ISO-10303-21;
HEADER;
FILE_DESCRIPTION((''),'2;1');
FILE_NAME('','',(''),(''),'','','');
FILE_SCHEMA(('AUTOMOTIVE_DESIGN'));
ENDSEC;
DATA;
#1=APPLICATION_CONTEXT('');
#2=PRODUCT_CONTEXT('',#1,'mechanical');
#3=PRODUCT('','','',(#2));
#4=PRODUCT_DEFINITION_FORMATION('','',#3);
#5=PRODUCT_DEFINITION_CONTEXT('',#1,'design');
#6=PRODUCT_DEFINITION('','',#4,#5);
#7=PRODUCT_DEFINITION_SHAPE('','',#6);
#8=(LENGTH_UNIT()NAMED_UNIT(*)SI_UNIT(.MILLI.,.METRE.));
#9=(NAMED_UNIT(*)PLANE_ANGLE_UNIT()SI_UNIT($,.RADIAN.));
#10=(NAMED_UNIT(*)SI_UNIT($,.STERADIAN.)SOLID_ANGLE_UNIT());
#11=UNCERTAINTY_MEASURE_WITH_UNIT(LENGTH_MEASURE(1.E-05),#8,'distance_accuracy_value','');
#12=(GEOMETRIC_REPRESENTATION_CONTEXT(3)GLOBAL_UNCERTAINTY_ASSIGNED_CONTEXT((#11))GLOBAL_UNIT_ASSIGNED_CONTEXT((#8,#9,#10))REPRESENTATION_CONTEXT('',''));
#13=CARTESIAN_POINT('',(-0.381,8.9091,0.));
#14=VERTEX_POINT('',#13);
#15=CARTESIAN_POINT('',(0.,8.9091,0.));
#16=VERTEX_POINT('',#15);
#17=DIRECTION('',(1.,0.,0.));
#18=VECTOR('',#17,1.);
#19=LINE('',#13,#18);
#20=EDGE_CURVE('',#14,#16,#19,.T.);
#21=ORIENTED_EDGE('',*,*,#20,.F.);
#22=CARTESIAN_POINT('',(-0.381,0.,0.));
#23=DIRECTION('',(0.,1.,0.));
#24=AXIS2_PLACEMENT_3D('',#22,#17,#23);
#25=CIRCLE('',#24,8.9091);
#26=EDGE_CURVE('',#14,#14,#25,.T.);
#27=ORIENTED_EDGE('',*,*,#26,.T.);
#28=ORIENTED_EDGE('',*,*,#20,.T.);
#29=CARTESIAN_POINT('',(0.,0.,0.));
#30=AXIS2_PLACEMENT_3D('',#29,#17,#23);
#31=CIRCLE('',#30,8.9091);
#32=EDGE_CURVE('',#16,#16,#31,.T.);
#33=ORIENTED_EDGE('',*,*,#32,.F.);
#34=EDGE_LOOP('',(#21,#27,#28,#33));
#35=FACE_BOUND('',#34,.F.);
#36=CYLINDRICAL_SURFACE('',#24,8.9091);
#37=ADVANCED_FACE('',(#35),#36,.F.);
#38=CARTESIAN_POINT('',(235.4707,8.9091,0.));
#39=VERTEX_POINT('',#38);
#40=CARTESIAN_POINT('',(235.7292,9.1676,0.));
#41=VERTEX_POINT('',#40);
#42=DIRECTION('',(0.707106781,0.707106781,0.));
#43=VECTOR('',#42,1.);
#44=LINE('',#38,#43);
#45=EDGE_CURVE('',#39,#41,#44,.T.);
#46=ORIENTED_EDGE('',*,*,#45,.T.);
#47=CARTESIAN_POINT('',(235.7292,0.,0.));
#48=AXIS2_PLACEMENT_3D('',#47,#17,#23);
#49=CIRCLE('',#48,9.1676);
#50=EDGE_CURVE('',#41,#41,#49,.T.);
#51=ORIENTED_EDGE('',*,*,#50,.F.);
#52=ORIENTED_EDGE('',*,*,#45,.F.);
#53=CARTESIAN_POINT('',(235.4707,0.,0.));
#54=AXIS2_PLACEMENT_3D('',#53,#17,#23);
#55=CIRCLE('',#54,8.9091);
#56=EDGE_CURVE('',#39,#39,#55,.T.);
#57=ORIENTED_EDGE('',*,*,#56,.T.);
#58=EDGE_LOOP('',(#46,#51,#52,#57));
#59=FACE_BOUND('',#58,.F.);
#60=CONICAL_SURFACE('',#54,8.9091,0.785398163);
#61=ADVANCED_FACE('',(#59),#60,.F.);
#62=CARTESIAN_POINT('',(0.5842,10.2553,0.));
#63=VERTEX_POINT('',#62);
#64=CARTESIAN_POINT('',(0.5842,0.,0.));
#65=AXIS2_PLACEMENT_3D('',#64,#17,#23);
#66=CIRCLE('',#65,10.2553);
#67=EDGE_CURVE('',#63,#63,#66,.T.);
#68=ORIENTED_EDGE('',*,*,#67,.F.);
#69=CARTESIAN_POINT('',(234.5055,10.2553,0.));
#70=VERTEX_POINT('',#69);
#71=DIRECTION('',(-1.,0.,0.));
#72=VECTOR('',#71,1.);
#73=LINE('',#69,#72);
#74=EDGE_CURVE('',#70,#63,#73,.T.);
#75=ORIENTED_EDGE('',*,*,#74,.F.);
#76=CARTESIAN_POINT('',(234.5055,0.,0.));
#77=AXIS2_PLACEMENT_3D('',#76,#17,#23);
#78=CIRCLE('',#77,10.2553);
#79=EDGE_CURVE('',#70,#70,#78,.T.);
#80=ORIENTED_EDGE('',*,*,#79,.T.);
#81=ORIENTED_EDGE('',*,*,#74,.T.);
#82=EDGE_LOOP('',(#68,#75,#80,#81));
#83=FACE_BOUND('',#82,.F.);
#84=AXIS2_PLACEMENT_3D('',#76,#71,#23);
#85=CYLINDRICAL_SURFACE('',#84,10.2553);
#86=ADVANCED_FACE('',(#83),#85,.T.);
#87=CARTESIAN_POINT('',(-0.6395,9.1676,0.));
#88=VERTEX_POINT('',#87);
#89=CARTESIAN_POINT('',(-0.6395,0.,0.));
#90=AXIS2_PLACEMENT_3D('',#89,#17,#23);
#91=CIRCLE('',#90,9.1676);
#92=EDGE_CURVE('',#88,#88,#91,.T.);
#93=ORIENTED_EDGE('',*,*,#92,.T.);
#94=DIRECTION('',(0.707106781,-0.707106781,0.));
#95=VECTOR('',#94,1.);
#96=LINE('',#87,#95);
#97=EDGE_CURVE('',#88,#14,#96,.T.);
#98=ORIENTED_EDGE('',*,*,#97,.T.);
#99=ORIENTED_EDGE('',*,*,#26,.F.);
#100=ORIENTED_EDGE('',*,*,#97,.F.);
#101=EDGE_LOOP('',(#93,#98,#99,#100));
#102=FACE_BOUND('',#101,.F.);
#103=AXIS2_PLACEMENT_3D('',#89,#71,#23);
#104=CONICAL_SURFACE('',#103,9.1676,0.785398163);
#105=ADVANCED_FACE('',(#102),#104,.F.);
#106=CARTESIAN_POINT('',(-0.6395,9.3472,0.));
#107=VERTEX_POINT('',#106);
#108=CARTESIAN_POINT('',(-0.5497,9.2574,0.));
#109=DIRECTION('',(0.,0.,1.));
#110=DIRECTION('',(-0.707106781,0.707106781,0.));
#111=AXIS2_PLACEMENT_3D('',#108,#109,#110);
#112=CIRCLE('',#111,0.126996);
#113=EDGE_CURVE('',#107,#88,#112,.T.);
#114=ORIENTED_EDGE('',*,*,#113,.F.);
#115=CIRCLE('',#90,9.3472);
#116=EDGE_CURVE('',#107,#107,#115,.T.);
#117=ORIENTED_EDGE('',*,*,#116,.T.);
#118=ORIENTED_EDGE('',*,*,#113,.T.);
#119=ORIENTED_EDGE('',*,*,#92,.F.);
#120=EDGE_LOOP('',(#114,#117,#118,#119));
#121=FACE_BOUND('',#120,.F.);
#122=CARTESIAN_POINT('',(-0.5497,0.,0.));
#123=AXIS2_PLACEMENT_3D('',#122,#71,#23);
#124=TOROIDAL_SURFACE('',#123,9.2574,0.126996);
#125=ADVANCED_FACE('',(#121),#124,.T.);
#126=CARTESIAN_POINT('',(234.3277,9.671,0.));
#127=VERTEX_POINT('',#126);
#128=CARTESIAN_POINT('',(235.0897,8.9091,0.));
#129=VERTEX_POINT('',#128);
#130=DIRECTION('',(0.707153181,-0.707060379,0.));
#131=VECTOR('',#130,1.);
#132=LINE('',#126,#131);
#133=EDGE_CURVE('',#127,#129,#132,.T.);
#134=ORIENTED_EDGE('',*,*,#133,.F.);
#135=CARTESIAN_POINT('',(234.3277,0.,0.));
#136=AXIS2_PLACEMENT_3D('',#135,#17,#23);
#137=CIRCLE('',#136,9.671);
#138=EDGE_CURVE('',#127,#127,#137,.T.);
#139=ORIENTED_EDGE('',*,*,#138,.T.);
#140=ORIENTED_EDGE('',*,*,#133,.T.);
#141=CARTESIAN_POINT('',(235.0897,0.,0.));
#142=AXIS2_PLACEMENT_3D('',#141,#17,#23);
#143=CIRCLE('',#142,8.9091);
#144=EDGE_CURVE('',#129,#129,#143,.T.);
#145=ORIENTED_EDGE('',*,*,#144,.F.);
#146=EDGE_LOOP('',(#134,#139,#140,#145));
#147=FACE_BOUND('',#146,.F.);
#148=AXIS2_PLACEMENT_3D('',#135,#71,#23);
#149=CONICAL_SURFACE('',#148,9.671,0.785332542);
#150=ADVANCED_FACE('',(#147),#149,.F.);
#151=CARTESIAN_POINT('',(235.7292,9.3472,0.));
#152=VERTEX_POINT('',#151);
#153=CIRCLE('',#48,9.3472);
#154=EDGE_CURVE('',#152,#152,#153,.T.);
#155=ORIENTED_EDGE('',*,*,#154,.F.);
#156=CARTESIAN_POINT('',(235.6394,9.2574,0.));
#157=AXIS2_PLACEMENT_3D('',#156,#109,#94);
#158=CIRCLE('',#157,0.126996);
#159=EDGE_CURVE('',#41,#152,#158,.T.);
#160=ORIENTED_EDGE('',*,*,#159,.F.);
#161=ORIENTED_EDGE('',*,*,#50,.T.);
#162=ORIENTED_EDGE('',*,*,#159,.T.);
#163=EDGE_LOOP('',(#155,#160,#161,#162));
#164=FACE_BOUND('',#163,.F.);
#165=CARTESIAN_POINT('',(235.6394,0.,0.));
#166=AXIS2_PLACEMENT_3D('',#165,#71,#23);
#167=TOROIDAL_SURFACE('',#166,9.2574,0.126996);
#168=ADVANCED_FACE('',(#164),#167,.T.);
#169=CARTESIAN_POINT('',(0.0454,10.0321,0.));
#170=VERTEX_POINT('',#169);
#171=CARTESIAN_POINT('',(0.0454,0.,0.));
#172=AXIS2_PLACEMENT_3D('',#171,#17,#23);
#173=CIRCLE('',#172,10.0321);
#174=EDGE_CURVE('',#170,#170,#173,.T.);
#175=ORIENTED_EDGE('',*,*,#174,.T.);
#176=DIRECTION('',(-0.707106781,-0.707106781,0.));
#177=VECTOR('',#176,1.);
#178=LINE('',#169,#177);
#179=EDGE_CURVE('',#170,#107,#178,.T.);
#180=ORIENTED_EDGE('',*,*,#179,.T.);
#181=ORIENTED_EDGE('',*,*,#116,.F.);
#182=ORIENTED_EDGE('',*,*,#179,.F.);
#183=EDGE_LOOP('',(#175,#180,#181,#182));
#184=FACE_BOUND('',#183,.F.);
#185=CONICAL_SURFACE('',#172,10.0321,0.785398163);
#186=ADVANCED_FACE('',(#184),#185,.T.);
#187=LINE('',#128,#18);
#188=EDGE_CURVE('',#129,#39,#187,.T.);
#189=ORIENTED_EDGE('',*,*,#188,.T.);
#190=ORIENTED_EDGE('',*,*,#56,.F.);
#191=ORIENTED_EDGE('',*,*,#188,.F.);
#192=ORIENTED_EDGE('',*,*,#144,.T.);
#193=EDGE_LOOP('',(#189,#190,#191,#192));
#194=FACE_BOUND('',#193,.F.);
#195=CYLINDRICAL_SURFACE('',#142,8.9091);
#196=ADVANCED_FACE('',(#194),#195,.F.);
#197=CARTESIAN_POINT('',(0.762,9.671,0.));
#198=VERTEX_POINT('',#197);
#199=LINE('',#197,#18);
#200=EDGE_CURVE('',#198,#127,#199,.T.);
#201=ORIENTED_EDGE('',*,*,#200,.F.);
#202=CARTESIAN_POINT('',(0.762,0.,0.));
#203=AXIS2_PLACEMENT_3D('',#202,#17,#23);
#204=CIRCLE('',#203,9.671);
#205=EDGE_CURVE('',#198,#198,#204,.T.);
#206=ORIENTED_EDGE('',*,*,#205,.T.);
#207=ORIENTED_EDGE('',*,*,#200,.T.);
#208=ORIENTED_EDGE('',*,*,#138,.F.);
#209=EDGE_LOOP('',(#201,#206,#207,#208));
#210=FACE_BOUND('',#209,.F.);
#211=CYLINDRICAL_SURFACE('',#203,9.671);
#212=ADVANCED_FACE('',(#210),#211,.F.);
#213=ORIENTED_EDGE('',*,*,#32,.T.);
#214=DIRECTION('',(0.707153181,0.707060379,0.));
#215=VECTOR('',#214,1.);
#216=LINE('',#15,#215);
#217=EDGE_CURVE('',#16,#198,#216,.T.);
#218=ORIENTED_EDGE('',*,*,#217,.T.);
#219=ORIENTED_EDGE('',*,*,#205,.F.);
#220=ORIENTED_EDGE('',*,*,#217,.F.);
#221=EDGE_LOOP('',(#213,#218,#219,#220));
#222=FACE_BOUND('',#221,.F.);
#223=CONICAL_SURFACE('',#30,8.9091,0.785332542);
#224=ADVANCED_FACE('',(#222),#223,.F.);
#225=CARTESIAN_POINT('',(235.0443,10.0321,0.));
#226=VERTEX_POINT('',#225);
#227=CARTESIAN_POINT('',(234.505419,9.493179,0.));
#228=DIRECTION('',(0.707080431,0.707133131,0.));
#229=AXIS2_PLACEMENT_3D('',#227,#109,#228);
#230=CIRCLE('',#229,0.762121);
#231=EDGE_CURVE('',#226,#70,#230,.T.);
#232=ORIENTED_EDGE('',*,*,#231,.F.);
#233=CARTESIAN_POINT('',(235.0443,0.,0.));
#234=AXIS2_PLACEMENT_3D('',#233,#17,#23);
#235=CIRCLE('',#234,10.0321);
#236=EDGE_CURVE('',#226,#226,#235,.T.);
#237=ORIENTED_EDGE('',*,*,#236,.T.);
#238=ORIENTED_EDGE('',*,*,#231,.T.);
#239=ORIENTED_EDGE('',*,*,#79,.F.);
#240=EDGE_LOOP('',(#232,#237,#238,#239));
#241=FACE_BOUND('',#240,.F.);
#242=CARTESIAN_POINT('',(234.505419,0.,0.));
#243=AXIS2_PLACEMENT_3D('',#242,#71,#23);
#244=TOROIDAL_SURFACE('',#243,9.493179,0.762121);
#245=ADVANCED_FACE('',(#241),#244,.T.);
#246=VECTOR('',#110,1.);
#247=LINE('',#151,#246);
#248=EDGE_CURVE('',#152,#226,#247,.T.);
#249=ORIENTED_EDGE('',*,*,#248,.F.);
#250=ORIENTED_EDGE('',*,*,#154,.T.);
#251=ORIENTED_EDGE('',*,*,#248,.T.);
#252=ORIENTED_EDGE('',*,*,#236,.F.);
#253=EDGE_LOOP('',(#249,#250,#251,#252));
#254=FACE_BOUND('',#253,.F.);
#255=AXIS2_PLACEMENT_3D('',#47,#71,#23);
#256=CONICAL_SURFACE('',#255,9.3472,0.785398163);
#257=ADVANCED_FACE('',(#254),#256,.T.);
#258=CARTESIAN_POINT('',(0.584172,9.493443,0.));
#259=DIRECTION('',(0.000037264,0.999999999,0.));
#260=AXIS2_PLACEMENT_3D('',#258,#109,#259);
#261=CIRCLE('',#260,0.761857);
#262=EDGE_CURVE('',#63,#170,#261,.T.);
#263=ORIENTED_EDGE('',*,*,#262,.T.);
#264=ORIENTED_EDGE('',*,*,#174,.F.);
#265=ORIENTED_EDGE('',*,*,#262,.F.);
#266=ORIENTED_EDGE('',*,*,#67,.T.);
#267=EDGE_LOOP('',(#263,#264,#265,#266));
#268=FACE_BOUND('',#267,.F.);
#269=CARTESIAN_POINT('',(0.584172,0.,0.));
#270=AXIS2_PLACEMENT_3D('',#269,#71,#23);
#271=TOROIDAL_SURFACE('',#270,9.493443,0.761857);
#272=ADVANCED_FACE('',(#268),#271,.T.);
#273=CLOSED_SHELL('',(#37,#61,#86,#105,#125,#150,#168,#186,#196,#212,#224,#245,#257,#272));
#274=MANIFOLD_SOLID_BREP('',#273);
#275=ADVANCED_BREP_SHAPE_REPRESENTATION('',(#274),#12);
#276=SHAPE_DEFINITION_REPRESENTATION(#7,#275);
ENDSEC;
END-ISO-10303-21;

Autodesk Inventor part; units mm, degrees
sketch "Sketch_1" plane through (0, 0, 0) normal (0, 0, 1) x (1, 0, 0)
  line L0 (235.0897, 0) -> (0, 0)
  arc A0 (-0.6395, 9.3472) -> (-0.6395, 9.1676) centre (-0.5497, 9.2574) ccw
  line L1 (-0.6395, 9.1676) -> (-0.381, 8.9091)
  line L2 (-0.381, 8.9091) -> (0, 8.9091)
  line L3 (0, 8.9091) -> (0.762, 9.671)
  line L4 (0.762, 9.671) -> (234.3277, 9.671)
  line L5 (234.3277, 9.671) -> (235.0897, 8.9091)
  line L6 (235.0897, 8.9091) -> (235.4707, 8.9091)
  line L7 (235.4707, 8.9091) -> (235.7292, 9.1676)
  arc A1 (235.7292, 9.1676) -> (235.7292, 9.3472) centre (235.6394, 9.2574) ccw
  line L8 (235.7292, 9.3472) -> (235.0443, 10.0321)
  arc A2 (235.0443, 10.0321) -> (234.5055, 10.2553) centre (234.5055, 9.4933) ccw
  line L9 (234.5055, 10.2553) -> (0.5842, 10.2553)
  arc A3 (0.5842, 10.2553) -> (0.0454, 10.0321) centre (0.5842, 9.4933) ccw
  line L10 (0.0454, 10.0321) -> (-0.6395, 9.3472)
revolve "Revolution1" add sketch "Sketch_1" angle 360 about axis through (235.0897, 0, 0) along (1, 0, 0)
ref_plane "cp1_XY" through (117.5449, 10.2553, 0) normal (1, 0, 0) x (0, 0, -1)
ref_plane "cp1_YZ" through (117.5449, 10.2553, 0) normal (0, 0, -1) x (0, 1, 0)
ref_plane "cp1_ZX" through (117.5449, 10.2553, 0) normal (0, 1, 0) x (1, 0, 0)
ref_plane "cp2_XY" through (117.5449, 0, -10.2553) normal (1, 0, 0) x (0, 0, -1)
ref_plane "cp2_YZ" through (117.5449, 0, -10.2553) normal (0, 0, -1) x (0, 1, 0)
ref_plane "cp2_ZX" through (117.5449, 0, -10.2553) normal (0, 1, 0) x (1, 0, 0)
ref_plane "cp3_XY" through (117.5449, -10.2553, 0) normal (1, 0, 0) x (0, 0, -1)
ref_plane "cp3_YZ" through (117.5449, -10.2553, 0) normal (0, 0, -1) x (0, 1, 0)
ref_plane "cp3_ZX" through (117.5449, -10.2553, 0) normal (0, 1, 0) x (1, 0, 0)
ref_plane "cp4_XY" through (117.5449, 0, 10.2553) normal (1, 0, 0) x (0, 0, -1)
ref_plane "cp4_YZ" through (117.5449, 0, 10.2553) normal (0, 0, -1) x (0, 1, 0)
ref_plane "cp4_ZX" through (117.5449, 0, 10.2553) normal (0, 1, 0) x (1, 0, 0)
ref_plane "tube_front_XY" through (0, 0, 0) normal (1, 0, 0) x (0, 0, -1)
ref_plane "tube_front_YZ" through (0, 0, 0) normal (0, 0, -1) x (0, 1, 0)
ref_plane "tube_front_ZX" through (0, 0, 0) normal (0, 1, 0) x (1, 0, 0)
ref_plane "tube_rear_XY" through (235.0897, 0, 0) normal (1, 0, 0) x (0, 0, -1)
ref_plane "tube_rear_YZ" through (235.0897, 0, 0) normal (0, 0, -1) x (0, 1, 0)
ref_plane "tube_rear_ZX" through (235.0897, 0, 0) normal (0, 1, 0) x (1, 0, 0)
properties part number "04R-9.25550C"
